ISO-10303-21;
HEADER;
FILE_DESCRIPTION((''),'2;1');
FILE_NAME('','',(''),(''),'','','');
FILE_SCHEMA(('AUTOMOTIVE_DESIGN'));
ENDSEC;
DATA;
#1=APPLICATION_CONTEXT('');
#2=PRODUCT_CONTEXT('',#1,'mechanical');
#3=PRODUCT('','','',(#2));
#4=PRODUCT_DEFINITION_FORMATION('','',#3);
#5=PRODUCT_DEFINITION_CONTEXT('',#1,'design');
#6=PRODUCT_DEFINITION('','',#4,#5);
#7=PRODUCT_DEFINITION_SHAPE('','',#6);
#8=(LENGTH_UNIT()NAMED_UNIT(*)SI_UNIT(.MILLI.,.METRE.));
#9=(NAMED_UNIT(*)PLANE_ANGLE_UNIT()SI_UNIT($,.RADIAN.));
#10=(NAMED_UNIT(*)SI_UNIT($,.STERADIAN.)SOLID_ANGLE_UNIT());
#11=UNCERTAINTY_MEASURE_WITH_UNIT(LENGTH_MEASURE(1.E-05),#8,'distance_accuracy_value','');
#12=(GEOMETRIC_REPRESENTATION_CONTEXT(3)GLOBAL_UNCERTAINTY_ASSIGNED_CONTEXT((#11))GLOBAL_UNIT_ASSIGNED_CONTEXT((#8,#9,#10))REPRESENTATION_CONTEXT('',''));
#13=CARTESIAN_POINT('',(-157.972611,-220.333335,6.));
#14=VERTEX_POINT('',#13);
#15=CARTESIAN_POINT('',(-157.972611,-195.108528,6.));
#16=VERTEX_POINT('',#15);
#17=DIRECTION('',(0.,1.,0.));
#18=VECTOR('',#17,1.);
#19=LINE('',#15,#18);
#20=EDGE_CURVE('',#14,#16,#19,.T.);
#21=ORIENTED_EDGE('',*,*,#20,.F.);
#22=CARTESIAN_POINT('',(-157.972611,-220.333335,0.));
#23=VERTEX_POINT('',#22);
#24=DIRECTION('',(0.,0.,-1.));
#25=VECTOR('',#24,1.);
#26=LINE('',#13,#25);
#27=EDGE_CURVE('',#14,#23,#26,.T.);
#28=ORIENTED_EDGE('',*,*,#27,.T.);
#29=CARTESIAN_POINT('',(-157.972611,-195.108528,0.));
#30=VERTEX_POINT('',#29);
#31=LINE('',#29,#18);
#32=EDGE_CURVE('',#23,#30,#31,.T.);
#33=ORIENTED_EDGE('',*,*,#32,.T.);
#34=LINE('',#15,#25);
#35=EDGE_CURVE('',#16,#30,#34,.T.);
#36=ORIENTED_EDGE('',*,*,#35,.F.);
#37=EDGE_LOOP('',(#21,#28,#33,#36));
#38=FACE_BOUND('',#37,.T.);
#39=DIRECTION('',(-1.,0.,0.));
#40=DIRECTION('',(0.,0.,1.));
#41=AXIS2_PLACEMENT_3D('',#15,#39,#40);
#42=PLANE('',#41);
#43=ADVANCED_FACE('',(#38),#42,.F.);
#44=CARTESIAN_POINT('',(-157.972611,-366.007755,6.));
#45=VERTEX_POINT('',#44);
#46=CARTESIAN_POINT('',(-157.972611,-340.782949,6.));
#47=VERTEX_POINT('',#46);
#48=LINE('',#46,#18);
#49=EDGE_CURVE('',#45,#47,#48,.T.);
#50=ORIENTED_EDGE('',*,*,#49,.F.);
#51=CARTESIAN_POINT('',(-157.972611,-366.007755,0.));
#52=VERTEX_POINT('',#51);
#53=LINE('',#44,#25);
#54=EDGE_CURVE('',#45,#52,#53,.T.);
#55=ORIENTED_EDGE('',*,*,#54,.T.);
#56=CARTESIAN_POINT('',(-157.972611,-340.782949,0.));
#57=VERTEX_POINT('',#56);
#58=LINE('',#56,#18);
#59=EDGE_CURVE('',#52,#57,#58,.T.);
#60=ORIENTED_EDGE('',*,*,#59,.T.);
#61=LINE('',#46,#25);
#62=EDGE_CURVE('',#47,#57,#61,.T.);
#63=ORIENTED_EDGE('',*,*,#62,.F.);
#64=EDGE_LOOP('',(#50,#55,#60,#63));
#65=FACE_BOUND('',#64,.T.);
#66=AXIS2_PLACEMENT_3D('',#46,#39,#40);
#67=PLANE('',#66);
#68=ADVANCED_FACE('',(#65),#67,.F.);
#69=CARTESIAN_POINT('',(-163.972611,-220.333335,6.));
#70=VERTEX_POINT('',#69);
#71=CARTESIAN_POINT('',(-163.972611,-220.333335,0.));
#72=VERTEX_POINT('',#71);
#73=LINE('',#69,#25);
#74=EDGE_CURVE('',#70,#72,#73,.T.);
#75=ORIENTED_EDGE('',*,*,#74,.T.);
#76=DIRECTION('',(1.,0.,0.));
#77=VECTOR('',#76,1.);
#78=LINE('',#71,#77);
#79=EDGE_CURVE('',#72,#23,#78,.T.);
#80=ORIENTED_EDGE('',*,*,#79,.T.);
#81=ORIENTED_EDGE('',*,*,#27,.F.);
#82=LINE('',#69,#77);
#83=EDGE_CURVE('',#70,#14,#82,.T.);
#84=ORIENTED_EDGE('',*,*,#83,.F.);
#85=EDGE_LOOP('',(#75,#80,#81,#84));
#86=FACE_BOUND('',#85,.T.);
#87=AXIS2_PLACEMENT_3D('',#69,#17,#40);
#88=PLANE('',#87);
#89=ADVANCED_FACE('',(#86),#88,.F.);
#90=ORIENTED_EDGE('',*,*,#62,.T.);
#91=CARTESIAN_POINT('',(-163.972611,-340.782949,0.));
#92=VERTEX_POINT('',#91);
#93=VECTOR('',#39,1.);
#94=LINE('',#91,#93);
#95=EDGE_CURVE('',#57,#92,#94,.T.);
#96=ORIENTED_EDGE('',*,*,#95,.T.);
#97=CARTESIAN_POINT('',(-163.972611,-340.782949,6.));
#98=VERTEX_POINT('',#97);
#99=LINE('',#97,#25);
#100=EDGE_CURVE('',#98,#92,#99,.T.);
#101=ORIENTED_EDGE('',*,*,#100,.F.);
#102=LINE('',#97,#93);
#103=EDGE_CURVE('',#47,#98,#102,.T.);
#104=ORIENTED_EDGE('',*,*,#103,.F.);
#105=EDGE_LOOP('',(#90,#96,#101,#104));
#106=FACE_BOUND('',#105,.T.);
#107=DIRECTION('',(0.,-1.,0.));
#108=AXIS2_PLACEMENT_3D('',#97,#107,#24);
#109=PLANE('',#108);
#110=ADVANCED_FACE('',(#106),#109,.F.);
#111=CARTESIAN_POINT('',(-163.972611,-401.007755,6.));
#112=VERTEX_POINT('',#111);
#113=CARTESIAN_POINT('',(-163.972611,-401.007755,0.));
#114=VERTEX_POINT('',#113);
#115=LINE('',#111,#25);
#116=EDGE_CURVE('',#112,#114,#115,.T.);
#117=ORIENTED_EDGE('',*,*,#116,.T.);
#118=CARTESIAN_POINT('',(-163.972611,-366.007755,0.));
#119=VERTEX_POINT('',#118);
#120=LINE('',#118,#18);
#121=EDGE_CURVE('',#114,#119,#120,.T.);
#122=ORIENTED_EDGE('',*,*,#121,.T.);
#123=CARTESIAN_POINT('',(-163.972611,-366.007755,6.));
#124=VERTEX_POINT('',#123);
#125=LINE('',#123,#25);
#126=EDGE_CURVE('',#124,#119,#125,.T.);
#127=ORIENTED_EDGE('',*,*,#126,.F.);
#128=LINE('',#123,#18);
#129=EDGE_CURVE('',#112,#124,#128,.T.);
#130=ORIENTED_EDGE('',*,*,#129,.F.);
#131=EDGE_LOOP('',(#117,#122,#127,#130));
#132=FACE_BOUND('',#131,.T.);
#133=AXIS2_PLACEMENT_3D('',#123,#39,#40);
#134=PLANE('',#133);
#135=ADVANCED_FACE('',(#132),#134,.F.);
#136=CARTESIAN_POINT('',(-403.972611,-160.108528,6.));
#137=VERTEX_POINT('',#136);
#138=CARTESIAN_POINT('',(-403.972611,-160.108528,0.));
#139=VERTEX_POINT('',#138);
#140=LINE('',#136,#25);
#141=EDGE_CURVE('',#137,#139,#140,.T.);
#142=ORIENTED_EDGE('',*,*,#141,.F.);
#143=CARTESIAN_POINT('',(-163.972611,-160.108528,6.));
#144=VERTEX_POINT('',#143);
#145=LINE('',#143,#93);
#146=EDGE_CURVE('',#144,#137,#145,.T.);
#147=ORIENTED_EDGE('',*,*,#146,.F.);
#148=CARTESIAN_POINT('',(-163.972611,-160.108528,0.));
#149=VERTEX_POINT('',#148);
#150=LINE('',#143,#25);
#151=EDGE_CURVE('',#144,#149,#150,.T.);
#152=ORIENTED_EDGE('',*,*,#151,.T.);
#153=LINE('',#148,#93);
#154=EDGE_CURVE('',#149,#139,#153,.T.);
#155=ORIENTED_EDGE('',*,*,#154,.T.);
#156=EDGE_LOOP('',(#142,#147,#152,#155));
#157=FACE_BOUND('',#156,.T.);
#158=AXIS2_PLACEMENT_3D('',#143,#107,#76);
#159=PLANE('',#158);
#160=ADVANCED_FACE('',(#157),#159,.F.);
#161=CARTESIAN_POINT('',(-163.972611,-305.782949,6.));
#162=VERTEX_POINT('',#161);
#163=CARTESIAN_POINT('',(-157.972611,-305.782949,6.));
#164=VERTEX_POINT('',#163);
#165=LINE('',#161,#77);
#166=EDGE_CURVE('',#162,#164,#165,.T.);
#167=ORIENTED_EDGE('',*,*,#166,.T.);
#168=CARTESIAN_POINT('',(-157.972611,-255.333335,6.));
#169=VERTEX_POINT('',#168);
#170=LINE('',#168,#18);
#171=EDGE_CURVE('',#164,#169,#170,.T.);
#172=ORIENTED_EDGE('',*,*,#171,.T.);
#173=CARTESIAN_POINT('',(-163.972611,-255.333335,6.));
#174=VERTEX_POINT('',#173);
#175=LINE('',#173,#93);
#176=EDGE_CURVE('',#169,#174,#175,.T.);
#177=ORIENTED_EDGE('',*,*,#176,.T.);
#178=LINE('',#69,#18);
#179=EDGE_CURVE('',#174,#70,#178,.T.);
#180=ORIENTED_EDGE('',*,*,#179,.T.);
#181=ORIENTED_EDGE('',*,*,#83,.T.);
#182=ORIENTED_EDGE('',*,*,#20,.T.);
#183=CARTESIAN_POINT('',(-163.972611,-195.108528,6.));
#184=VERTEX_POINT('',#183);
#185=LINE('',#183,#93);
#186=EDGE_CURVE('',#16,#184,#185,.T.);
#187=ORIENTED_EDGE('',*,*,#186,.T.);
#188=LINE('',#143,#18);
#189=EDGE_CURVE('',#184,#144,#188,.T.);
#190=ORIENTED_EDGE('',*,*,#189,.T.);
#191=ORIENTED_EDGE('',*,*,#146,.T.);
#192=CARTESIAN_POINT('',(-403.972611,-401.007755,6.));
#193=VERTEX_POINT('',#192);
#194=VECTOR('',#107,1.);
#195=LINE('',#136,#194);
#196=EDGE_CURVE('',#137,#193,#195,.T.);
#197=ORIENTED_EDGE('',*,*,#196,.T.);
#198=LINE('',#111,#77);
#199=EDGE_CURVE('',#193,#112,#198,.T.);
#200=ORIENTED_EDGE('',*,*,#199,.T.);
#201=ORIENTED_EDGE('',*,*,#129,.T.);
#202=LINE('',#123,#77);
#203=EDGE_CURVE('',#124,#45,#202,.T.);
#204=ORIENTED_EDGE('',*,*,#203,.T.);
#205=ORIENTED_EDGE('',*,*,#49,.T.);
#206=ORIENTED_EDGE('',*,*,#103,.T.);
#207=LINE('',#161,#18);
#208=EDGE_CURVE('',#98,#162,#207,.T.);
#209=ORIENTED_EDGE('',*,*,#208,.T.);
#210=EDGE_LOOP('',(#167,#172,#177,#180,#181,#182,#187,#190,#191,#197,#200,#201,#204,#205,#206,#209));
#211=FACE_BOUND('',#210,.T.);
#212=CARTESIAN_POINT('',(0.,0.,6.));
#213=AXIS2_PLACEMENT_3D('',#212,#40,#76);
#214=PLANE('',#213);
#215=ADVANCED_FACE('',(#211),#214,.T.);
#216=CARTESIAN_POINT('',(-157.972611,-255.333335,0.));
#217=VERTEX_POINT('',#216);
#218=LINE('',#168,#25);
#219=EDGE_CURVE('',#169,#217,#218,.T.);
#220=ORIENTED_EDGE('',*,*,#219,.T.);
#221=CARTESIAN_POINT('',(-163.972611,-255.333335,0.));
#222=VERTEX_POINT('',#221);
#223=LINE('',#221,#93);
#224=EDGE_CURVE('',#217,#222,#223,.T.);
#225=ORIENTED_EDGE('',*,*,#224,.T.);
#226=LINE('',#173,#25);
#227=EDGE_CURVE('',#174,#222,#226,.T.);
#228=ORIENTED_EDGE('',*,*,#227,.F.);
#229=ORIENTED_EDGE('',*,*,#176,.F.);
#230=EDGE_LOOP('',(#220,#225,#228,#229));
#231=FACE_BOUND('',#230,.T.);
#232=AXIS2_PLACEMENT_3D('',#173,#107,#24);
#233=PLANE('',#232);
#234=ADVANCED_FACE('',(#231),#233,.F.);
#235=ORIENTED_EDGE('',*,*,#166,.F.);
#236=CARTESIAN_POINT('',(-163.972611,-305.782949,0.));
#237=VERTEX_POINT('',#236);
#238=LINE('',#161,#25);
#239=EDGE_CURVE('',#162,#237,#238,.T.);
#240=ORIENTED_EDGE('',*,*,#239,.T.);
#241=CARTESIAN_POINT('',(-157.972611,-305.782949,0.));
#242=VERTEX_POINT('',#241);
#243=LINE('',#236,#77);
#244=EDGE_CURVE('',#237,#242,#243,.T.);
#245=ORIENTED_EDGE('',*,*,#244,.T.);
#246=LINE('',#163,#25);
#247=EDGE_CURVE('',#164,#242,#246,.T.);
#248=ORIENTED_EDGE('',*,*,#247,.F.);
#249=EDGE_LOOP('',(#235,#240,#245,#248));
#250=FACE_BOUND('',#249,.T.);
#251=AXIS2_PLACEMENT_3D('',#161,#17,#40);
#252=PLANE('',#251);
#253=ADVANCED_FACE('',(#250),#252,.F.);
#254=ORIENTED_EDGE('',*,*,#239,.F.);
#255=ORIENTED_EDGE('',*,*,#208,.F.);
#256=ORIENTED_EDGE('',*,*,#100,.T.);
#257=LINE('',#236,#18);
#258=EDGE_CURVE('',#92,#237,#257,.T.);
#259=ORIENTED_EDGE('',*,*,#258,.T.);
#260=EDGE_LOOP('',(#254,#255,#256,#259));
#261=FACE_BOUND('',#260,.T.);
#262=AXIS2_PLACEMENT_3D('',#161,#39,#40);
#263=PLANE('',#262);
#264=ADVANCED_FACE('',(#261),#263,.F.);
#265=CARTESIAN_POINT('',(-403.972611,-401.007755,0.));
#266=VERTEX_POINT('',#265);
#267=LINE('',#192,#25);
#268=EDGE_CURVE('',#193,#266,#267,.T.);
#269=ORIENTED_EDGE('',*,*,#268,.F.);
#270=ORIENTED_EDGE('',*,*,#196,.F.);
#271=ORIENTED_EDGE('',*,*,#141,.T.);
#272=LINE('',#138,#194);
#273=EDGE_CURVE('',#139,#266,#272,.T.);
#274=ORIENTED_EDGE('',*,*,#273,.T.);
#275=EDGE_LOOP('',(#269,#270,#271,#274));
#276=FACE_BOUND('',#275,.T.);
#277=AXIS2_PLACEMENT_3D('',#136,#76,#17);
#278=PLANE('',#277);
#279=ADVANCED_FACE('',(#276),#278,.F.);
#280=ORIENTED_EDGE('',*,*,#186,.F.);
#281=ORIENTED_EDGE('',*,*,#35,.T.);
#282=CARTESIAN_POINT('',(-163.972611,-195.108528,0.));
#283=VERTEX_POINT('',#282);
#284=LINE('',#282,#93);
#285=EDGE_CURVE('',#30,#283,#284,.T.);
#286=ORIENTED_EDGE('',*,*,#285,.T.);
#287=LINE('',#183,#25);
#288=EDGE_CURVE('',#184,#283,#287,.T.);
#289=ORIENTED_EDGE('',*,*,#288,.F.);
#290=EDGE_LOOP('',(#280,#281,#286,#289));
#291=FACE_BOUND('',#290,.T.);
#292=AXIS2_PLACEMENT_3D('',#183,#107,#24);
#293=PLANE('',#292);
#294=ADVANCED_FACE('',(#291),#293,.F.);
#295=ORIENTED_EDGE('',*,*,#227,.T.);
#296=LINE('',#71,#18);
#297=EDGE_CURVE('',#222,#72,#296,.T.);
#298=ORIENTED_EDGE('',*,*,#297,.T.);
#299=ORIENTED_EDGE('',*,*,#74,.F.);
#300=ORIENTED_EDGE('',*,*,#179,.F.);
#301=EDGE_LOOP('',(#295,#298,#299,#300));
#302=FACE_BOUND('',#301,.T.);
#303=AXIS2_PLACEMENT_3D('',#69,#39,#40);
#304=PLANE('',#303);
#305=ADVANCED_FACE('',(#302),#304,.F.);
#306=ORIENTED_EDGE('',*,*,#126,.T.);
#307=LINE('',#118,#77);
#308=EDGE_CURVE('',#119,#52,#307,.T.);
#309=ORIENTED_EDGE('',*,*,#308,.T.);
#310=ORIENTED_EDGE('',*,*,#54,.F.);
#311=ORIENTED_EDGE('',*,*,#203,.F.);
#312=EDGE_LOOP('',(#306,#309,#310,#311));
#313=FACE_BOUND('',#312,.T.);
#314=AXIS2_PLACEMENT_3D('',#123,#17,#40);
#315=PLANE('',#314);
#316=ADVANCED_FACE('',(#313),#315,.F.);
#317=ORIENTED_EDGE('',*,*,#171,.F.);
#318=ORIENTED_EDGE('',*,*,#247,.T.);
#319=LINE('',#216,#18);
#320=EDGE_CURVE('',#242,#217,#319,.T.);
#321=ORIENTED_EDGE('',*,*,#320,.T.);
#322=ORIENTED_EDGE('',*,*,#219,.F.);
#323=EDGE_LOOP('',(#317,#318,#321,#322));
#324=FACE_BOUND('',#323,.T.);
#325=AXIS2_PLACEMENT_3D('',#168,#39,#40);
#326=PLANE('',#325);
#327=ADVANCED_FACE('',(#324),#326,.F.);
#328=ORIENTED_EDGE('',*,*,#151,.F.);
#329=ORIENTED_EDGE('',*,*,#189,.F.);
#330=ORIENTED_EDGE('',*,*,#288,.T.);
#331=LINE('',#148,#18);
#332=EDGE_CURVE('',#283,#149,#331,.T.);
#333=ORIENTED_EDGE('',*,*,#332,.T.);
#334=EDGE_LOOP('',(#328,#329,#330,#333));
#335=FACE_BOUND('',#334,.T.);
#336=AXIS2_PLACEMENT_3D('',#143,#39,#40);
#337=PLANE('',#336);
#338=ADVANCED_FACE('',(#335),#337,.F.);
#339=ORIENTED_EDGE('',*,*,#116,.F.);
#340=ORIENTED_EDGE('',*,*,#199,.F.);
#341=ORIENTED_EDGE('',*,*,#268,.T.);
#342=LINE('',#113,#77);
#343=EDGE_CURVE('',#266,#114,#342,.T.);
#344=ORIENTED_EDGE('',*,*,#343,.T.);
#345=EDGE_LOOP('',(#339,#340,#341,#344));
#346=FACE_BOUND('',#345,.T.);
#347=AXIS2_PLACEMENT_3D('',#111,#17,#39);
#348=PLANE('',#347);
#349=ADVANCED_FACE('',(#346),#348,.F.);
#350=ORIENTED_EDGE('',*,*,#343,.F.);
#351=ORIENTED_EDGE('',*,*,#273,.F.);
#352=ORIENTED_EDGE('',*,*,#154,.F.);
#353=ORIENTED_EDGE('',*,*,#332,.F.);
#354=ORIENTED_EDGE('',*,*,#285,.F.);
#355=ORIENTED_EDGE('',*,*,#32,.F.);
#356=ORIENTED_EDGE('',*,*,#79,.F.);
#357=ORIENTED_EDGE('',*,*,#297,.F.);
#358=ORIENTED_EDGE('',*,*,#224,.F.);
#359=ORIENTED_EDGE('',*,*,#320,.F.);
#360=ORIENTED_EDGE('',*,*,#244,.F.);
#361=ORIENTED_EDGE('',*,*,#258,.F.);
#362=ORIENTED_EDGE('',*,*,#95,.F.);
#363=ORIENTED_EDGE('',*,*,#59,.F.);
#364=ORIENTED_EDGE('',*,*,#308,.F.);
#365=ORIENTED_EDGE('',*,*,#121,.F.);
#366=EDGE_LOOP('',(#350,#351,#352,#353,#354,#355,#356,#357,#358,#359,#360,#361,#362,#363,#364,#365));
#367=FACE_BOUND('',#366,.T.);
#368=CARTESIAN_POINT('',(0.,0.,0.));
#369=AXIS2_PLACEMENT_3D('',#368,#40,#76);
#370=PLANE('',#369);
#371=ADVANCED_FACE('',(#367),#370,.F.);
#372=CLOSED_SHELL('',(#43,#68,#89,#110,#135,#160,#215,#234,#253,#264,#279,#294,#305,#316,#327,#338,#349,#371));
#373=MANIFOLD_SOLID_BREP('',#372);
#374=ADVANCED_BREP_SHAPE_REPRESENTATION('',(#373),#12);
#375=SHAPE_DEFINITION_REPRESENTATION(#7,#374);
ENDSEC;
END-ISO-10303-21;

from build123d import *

# Parameters (mm, degrees)
BOSS_EXTRUDE1_DEPTH = 6


with BuildPart() as part:
    # Sketch1 → Boss-Extrude1 (new body)
    with BuildSketch(Plane.XY):
        Polygon((-163.972610893, -220.333334922), (-163.972610893, -255.333334922), (-157.972610893, -255.333334922), (-157.972610893, -305.782948582), (-163.972610893, -305.782948582), (-163.972610893, -340.782948582), (-157.972610893, -340.782948582), (-157.972610893, -366.007755411), (-163.972610893, -366.007755411), (-163.972610893, -401.007755411), (-403.972610893, -401.007755411), (-403.972610893, -160.108528092), (-163.972610893, -160.108528092), (-163.972610893, -195.108528092), (-157.972610893, -195.108528092), (-157.972610893, -220.333334922), align=None)
    extrude(amount=BOSS_EXTRUDE1_DEPTH)


solid = part.part
